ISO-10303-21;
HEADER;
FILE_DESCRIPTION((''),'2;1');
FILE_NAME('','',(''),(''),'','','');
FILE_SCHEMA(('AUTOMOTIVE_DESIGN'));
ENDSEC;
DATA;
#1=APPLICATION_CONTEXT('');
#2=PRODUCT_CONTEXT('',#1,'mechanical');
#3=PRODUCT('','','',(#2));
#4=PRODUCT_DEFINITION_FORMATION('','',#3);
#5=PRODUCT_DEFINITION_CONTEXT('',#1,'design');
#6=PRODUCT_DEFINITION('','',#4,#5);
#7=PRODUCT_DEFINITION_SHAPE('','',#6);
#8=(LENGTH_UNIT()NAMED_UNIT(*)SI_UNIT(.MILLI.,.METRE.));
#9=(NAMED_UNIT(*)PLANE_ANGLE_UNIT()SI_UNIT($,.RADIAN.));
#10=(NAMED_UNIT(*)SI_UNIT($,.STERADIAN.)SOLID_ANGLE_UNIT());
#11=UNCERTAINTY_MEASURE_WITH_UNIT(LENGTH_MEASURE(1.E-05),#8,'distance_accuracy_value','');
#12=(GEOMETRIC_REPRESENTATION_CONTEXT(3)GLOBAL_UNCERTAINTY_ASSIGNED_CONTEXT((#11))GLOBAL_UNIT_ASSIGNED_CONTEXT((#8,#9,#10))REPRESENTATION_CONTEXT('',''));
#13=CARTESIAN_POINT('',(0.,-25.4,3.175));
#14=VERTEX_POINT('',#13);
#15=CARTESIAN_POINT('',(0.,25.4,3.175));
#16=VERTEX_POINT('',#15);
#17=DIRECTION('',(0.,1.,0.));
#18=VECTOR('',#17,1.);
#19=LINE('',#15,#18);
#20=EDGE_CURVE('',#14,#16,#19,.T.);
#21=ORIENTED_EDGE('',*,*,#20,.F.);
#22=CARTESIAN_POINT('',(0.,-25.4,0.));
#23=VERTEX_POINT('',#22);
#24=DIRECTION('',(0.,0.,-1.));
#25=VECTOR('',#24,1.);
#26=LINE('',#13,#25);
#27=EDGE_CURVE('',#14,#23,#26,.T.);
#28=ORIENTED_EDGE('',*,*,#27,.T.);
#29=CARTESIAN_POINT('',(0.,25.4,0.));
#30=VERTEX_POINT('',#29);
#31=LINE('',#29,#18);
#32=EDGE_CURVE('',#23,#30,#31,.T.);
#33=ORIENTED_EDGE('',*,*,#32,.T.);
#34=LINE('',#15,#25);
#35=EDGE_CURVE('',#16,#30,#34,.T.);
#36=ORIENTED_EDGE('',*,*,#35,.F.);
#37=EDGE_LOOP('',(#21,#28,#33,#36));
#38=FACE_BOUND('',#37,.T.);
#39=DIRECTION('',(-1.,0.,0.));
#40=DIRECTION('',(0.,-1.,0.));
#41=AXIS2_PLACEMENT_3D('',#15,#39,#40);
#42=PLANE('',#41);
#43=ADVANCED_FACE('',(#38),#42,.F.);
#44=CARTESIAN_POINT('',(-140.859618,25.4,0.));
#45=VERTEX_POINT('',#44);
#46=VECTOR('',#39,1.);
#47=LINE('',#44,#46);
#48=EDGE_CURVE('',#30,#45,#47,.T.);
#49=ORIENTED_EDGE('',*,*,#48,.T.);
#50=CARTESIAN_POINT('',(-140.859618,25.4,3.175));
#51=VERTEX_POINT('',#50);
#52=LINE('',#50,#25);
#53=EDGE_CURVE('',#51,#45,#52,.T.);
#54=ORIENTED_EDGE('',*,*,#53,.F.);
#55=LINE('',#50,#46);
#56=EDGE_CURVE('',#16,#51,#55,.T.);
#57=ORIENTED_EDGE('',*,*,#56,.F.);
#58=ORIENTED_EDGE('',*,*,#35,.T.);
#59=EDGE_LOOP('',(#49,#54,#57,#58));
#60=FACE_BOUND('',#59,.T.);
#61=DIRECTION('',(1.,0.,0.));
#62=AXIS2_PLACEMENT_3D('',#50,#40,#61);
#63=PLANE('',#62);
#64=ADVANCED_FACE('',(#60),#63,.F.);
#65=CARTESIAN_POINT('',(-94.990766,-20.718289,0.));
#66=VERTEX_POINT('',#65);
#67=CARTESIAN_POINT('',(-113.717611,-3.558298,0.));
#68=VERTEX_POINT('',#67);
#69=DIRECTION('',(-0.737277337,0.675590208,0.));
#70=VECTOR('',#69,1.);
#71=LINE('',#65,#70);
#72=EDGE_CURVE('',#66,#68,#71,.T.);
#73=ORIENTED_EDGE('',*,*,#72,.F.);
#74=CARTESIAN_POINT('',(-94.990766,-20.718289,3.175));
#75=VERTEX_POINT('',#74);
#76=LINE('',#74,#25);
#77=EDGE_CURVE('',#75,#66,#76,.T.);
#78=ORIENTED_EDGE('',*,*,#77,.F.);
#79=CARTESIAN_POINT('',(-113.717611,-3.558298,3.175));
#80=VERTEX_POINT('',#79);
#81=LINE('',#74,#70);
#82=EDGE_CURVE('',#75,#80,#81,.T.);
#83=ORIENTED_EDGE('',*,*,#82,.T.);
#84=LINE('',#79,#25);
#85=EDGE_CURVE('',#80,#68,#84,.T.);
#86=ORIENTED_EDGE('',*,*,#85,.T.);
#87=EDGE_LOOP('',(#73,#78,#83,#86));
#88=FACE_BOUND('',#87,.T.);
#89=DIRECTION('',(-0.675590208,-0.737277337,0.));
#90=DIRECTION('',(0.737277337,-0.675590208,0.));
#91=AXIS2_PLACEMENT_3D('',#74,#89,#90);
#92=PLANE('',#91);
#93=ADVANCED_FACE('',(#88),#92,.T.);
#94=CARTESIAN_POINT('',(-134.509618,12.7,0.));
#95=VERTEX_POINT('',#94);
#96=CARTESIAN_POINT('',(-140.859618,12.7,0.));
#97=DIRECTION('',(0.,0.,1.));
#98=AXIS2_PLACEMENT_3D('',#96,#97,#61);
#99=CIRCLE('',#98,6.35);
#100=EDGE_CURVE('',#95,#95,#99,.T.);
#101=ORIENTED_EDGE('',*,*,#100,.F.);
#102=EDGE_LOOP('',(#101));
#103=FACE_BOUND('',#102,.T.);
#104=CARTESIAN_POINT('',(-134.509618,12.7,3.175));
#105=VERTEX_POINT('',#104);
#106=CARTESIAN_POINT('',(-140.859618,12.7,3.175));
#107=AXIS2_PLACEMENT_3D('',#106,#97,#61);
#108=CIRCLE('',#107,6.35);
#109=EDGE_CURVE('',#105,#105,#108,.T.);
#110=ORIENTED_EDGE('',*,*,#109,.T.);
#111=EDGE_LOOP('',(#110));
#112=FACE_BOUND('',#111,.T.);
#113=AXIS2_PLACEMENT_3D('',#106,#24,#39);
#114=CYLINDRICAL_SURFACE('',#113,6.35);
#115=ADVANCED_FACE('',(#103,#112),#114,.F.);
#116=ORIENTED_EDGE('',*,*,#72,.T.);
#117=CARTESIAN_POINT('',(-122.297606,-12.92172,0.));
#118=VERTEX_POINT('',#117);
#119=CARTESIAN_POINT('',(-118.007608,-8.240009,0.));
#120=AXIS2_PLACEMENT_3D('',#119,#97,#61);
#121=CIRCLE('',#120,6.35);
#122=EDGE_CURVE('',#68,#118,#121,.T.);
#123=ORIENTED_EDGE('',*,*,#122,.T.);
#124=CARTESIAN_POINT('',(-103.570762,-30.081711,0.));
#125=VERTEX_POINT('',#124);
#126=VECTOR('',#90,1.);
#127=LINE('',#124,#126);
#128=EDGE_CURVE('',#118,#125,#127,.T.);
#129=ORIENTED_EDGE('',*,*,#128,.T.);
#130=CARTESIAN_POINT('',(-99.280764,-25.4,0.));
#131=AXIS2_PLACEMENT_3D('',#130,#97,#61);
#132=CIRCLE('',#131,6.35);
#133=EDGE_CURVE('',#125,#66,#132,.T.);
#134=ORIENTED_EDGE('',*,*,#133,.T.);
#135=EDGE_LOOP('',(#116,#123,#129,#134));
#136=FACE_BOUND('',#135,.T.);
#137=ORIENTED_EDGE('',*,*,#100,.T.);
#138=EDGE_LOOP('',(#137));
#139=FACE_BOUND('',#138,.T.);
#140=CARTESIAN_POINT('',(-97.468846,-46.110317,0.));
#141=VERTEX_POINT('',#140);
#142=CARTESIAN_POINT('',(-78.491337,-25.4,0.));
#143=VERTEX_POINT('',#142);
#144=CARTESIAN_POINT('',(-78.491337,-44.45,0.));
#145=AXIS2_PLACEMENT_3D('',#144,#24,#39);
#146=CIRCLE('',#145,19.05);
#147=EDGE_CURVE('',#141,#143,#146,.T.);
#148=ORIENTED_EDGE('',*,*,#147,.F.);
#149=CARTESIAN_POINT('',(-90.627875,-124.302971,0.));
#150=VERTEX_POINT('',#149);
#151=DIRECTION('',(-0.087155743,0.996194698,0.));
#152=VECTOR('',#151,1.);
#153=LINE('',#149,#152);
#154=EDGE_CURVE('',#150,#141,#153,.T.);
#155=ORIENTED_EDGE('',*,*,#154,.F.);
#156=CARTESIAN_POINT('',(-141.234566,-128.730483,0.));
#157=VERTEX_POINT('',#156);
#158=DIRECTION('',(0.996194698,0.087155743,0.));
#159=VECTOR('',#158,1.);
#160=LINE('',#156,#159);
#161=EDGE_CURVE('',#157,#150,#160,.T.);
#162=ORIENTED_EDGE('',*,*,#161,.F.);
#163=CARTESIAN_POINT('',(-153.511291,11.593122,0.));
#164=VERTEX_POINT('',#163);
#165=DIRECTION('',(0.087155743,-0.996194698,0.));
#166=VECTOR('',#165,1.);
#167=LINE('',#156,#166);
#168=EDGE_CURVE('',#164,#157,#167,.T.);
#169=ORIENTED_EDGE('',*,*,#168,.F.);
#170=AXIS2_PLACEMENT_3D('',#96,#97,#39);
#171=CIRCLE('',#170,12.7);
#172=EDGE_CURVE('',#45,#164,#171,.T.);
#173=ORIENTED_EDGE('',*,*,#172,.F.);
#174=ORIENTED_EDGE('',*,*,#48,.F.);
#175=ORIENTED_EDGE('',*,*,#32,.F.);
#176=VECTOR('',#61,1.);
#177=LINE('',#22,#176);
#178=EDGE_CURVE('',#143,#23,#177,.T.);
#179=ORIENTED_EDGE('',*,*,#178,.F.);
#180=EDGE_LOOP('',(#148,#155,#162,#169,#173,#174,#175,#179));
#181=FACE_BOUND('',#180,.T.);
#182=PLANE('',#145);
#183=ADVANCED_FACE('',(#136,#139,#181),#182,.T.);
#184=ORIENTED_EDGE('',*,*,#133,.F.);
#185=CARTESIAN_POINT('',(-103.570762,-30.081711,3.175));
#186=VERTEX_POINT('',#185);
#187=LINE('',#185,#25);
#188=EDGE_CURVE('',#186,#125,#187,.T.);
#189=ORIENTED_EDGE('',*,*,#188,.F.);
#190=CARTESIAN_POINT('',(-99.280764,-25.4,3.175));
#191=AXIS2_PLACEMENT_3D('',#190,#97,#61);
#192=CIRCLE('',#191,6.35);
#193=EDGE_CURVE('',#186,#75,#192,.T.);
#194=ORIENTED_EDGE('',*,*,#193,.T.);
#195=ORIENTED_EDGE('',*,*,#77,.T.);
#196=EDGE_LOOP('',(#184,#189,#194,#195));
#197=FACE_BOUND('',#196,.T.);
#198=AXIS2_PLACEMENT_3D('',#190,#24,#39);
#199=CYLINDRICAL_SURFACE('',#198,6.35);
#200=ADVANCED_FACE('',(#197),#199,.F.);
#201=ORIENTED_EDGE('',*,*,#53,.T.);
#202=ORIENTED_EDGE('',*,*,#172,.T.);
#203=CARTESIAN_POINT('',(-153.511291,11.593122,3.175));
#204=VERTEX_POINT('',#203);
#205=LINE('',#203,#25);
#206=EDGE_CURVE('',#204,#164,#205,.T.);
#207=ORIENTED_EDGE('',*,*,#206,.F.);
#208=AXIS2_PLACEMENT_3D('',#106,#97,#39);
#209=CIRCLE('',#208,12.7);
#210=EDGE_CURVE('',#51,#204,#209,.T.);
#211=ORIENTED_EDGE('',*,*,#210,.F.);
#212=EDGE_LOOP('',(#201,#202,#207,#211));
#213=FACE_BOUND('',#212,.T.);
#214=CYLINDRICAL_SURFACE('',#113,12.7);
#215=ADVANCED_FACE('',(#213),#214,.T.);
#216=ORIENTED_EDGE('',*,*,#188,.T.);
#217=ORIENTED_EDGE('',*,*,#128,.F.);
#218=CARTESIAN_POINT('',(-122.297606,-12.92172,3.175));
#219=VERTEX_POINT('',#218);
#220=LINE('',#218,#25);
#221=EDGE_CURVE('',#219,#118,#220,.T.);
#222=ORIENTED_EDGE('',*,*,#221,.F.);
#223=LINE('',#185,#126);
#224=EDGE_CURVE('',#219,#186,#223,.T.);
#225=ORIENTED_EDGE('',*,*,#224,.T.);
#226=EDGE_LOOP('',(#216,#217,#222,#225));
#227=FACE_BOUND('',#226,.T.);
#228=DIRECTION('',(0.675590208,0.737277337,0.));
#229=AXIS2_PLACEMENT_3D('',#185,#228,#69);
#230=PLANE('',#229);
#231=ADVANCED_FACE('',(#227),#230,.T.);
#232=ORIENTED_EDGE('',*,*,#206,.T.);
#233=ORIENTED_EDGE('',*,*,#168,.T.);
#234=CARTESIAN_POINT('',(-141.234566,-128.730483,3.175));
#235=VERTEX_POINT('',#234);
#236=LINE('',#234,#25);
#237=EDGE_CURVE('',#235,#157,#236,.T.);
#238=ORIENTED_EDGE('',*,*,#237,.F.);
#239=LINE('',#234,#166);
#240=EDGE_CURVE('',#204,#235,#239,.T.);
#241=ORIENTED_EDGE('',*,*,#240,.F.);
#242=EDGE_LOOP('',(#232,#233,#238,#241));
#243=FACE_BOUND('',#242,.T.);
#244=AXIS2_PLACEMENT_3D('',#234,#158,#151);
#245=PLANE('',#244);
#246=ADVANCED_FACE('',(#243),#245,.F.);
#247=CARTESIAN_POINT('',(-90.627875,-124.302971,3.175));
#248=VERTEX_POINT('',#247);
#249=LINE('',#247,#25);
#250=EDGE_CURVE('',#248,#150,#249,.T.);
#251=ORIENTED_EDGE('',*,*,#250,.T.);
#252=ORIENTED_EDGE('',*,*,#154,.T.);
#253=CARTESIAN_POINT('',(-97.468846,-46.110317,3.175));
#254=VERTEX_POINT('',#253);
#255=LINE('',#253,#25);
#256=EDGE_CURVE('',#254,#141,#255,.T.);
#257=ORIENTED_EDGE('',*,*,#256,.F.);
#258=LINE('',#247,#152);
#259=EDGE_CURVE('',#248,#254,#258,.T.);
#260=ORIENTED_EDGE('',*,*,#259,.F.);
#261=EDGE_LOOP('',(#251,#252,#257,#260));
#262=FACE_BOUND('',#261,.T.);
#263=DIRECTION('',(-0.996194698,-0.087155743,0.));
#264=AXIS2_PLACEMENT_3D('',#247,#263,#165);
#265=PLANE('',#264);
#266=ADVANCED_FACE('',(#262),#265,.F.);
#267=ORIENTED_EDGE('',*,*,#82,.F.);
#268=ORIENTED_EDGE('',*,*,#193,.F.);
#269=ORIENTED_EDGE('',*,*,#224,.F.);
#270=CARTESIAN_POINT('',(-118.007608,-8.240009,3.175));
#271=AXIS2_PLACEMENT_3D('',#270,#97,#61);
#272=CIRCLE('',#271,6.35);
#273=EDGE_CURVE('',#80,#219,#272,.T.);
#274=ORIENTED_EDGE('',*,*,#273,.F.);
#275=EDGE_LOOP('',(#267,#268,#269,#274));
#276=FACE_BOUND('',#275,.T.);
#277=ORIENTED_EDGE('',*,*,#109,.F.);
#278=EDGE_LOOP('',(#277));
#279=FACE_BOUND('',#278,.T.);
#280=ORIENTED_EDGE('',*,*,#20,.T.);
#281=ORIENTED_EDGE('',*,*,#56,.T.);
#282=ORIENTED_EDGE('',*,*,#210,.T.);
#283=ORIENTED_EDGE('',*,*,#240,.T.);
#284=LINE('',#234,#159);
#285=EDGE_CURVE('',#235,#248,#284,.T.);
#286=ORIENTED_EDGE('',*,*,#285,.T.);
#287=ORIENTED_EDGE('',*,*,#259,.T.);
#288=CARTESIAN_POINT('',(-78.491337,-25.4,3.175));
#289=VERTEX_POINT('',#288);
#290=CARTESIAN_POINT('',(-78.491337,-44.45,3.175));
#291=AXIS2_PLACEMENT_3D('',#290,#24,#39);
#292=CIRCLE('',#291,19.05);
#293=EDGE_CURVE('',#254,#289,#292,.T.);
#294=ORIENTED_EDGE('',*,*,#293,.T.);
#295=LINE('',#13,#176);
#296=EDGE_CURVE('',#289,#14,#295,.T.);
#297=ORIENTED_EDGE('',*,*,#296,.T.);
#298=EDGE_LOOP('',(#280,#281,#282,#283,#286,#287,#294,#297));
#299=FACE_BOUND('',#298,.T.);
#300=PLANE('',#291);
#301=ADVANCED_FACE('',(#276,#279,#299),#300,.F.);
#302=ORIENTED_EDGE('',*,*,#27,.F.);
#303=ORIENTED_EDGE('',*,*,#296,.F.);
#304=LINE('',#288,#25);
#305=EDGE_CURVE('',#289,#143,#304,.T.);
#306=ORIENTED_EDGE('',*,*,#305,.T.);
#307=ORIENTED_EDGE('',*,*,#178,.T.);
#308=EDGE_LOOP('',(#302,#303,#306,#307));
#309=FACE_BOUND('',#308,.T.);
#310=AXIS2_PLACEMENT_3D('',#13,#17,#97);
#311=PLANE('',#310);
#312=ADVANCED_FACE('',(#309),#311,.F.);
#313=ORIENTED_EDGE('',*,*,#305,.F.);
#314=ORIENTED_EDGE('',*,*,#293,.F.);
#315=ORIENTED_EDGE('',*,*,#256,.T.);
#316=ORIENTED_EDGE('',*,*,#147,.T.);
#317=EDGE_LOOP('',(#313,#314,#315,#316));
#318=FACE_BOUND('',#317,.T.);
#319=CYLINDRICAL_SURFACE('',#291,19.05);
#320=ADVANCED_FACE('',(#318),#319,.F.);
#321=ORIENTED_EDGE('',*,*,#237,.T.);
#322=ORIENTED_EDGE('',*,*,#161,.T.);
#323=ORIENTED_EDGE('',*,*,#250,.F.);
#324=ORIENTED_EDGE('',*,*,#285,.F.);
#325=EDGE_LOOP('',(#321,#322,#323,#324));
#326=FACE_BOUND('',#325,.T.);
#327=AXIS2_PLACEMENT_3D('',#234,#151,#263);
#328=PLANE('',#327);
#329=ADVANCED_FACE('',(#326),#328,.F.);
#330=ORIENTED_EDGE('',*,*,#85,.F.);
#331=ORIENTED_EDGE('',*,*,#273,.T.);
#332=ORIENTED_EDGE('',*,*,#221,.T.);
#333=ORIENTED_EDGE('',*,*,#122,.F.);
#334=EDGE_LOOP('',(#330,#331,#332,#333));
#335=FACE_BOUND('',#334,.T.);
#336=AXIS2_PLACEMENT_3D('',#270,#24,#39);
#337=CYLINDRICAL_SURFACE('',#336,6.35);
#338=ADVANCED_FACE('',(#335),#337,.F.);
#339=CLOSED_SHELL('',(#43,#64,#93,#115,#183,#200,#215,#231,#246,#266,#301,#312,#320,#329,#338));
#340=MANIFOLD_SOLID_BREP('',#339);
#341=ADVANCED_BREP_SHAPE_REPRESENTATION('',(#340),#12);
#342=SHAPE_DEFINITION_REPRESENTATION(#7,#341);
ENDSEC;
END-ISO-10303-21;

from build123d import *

# Parameters (mm, degrees)
SKETCH1_R           = 6.35
BOSS_EXTRUDE1_DEPTH = 3.175


with BuildPart() as part:
    # Sketch1 → Boss-Extrude1 (new body)
    with BuildSketch(Plane.XY):
        with BuildLine():
            Line((-141.234566003, -128.730482523), (-90.62787534, -124.302970792))
            Line((-90.62787534, -124.302970792), (-97.468846126, -46.110316899))
            ThreePointArc((-97.468846126, -46.110316899), (-92.536470394, -31.580006545), (-78.491337127, -25.4))
            Line((-78.491337127, -25.4), (0, -25.4))
            Line((0, -25.4), (0, 25.4))
            Line((0, 25.4), (-140.859617964, 25.4))
            ThreePointArc((-140.859617964, 25.4), (-150.223040141, 21.279995637), (-153.511290629, 11.593122067))
            Line((-153.511290629, 11.593122067), (-141.234566003, -128.730482523))
        make_face()
        with Locations((-140.859617964, 12.7)):
            Circle(SKETCH1_R, mode=Mode.SUBTRACT)
        with BuildLine():
            Line((-103.570761891, -30.081711089), (-122.297606246, -12.921719815))
            ThreePointArc((-122.297606246, -12.921719815), (-122.689319517, -3.950010908), (-113.717610609, -3.558297638))
            Line((-113.717610609, -3.558297638), (-94.990766254, -20.718288911))
            ThreePointArc((-94.990766254, -20.718288911), (-94.599052984, -29.689997818), (-103.570761891, -30.081711089))
        make_face(mode=Mode.SUBTRACT)
    extrude(amount=BOSS_EXTRUDE1_DEPTH)


solid = part.part
